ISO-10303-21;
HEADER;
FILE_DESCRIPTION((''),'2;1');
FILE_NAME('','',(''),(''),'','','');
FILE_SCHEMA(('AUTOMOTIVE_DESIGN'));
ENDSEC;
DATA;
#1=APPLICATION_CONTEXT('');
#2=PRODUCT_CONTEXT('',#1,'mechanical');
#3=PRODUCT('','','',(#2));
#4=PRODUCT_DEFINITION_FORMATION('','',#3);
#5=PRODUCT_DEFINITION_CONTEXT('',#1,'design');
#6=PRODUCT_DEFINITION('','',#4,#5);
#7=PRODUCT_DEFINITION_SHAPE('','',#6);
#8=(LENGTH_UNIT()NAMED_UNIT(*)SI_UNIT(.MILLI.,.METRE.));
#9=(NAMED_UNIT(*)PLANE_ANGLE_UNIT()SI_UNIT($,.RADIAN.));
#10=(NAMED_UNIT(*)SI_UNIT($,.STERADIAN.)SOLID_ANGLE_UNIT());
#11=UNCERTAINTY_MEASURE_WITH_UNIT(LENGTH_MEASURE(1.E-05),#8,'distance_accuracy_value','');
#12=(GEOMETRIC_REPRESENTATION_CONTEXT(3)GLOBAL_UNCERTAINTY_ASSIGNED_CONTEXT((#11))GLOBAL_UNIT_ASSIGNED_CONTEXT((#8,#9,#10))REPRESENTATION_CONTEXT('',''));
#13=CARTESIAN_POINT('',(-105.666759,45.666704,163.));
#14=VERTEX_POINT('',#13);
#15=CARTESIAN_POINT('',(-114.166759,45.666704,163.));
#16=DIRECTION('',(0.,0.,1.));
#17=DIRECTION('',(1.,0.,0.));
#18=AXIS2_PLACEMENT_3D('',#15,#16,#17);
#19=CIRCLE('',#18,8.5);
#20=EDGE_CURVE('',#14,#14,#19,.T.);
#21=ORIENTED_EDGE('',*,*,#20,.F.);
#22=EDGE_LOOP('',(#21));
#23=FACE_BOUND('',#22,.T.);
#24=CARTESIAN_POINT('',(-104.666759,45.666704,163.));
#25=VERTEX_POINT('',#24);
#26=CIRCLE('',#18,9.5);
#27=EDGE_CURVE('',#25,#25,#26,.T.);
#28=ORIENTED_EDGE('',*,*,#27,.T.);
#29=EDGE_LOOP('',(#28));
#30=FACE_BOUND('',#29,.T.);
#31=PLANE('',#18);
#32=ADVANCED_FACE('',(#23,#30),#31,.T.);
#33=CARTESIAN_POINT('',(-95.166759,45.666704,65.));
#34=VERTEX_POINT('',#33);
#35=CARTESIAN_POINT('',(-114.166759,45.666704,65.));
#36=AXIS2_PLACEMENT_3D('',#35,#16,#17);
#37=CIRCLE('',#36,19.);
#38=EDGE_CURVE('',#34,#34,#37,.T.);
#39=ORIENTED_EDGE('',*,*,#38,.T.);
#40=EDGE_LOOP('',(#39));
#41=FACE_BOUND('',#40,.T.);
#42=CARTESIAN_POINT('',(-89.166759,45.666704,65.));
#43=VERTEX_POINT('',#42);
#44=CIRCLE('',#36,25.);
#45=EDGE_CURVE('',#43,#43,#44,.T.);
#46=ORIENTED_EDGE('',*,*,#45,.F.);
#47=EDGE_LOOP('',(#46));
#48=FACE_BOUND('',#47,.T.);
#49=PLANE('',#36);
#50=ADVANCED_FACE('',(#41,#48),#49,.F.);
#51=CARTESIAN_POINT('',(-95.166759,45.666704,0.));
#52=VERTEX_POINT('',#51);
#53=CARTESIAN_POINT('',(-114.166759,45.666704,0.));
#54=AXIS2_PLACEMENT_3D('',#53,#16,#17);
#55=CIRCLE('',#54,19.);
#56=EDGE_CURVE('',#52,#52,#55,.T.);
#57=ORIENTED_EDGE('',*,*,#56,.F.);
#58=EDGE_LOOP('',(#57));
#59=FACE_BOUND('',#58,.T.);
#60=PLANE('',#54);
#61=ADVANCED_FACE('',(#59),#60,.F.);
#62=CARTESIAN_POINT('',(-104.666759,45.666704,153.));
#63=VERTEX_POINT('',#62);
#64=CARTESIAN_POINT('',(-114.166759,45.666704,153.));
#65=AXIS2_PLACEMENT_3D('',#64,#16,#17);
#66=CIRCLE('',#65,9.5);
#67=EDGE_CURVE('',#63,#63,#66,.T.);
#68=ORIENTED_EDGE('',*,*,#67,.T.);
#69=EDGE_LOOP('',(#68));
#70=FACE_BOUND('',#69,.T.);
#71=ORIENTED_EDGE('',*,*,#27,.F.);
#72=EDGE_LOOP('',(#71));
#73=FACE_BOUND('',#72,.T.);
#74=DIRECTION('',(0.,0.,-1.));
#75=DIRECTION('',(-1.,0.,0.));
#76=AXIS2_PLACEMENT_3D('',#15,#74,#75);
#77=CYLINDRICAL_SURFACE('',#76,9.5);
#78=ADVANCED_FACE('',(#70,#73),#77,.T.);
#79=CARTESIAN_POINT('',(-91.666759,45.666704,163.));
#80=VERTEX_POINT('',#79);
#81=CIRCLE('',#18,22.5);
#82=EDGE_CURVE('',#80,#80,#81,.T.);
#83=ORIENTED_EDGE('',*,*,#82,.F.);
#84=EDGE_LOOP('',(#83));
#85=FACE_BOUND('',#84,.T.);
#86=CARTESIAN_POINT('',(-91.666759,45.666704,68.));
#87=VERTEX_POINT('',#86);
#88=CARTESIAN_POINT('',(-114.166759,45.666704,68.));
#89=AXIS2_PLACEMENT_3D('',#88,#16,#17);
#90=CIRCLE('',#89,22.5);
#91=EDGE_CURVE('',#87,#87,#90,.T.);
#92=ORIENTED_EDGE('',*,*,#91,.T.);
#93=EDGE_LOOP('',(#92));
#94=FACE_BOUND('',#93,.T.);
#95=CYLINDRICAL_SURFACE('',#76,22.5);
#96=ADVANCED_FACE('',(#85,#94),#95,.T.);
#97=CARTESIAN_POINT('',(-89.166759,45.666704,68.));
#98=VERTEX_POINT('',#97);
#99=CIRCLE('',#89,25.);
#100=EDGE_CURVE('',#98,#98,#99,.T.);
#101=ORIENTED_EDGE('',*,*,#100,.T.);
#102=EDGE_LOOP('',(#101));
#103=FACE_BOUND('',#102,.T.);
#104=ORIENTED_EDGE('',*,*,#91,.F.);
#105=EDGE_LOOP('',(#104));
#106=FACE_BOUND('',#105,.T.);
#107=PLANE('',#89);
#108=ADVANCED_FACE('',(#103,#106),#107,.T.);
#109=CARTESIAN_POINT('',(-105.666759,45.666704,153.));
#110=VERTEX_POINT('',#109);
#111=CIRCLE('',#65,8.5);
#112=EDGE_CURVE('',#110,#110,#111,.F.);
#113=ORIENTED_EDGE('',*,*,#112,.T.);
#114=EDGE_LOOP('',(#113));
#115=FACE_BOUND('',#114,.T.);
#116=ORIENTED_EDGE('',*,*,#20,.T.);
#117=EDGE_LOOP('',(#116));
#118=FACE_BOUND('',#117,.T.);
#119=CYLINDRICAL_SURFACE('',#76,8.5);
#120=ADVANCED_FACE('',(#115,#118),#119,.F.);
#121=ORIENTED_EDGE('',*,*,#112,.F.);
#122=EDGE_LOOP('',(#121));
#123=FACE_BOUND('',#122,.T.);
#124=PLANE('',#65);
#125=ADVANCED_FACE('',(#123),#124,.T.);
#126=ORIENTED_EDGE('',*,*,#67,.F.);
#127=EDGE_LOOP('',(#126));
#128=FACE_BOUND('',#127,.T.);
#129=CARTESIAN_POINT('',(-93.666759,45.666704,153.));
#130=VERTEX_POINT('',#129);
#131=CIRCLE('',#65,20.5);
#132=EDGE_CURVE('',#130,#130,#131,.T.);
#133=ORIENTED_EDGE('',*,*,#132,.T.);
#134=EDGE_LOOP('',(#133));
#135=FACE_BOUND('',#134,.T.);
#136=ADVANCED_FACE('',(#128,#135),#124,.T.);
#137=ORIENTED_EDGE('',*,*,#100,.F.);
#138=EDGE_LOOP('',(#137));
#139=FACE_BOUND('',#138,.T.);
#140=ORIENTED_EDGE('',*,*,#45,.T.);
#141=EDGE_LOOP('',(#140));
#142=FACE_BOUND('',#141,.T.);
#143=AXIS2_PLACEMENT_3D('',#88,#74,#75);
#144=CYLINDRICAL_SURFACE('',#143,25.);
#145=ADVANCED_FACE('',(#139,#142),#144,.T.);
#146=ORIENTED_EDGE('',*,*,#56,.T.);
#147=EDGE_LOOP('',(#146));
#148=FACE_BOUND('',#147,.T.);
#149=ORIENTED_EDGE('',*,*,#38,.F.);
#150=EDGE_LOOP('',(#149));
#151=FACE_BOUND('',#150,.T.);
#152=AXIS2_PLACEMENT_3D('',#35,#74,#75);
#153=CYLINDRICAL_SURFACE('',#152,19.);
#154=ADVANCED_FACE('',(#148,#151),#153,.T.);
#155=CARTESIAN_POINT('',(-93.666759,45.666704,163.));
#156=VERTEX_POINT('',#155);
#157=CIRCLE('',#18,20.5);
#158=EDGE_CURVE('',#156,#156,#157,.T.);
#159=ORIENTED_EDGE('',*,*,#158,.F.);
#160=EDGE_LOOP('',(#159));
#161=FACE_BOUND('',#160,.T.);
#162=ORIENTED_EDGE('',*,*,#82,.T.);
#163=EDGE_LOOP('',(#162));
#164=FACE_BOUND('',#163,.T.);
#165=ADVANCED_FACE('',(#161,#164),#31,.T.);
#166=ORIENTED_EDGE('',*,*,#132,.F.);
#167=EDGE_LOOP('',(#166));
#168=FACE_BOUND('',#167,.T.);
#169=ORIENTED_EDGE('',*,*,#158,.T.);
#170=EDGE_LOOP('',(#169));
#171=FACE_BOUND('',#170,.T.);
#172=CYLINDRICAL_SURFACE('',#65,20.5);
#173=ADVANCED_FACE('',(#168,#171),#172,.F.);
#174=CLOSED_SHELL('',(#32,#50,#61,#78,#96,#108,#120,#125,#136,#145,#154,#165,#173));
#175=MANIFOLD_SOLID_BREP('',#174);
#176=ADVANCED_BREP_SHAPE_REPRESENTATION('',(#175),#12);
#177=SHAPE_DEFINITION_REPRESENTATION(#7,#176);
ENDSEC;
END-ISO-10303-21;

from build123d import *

# Parameters (mm, degrees)
SKETCH1_R           = 19
BOSS_EXTRUDE1_DEPTH = 65
SKETCH2_R           = 25
BOSS_EXTRUDE2_DEPTH = 3
SKETCH3_R           = 22.5
BOSS_EXTRUDE3_DEPTH = 95
SKETCH4_R           = 20.5
CUT_EXTRUDE1_DEPTH  = 10
SKETCH5_R           = 9.5
SKETCH5_R_2         = 8.5
BOSS_EXTRUDE4_DEPTH = 10


with BuildPart() as part:
    # Sketch1 → Boss-Extrude1 (new body)
    with BuildSketch(Plane.XY):
        with Locations((-114.166758924, 45.66670357)):
            Circle(SKETCH1_R)
    extrude(amount=BOSS_EXTRUDE1_DEPTH)

    # Sketch2 → Boss-Extrude2 (add)
    with BuildSketch(Plane.XY.offset(65)):
        with Locations((-114.166758924, 45.66670357)):
            Circle(SKETCH2_R)
    extrude(amount=BOSS_EXTRUDE2_DEPTH)

    # Sketch3 → Boss-Extrude3 (add)
    with BuildSketch(Plane.XY.offset(68)):
        with Locations((-114.166758924, 45.66670357)):
            Circle(SKETCH3_R)
    extrude(amount=BOSS_EXTRUDE3_DEPTH)

    # Sketch4 → Cut-Extrude1 (cut)
    with BuildSketch(Plane.XY.offset(163)):
        with Locations((-114.166758924, 45.66670357)):
            Circle(SKETCH4_R)
    extrude(amount=-CUT_EXTRUDE1_DEPTH, mode=Mode.SUBTRACT)

    # Sketch5 → Boss-Extrude4 (add)
    with BuildSketch(Plane.XY.offset(153)):
        with Locations((-114.166758924, 45.66670357)):
            Circle(SKETCH5_R)
        with Locations((-114.166758924, 45.66670357)):
            Circle(SKETCH5_R_2, mode=Mode.SUBTRACT)
    extrude(amount=BOSS_EXTRUDE4_DEPTH)


solid = part.part
